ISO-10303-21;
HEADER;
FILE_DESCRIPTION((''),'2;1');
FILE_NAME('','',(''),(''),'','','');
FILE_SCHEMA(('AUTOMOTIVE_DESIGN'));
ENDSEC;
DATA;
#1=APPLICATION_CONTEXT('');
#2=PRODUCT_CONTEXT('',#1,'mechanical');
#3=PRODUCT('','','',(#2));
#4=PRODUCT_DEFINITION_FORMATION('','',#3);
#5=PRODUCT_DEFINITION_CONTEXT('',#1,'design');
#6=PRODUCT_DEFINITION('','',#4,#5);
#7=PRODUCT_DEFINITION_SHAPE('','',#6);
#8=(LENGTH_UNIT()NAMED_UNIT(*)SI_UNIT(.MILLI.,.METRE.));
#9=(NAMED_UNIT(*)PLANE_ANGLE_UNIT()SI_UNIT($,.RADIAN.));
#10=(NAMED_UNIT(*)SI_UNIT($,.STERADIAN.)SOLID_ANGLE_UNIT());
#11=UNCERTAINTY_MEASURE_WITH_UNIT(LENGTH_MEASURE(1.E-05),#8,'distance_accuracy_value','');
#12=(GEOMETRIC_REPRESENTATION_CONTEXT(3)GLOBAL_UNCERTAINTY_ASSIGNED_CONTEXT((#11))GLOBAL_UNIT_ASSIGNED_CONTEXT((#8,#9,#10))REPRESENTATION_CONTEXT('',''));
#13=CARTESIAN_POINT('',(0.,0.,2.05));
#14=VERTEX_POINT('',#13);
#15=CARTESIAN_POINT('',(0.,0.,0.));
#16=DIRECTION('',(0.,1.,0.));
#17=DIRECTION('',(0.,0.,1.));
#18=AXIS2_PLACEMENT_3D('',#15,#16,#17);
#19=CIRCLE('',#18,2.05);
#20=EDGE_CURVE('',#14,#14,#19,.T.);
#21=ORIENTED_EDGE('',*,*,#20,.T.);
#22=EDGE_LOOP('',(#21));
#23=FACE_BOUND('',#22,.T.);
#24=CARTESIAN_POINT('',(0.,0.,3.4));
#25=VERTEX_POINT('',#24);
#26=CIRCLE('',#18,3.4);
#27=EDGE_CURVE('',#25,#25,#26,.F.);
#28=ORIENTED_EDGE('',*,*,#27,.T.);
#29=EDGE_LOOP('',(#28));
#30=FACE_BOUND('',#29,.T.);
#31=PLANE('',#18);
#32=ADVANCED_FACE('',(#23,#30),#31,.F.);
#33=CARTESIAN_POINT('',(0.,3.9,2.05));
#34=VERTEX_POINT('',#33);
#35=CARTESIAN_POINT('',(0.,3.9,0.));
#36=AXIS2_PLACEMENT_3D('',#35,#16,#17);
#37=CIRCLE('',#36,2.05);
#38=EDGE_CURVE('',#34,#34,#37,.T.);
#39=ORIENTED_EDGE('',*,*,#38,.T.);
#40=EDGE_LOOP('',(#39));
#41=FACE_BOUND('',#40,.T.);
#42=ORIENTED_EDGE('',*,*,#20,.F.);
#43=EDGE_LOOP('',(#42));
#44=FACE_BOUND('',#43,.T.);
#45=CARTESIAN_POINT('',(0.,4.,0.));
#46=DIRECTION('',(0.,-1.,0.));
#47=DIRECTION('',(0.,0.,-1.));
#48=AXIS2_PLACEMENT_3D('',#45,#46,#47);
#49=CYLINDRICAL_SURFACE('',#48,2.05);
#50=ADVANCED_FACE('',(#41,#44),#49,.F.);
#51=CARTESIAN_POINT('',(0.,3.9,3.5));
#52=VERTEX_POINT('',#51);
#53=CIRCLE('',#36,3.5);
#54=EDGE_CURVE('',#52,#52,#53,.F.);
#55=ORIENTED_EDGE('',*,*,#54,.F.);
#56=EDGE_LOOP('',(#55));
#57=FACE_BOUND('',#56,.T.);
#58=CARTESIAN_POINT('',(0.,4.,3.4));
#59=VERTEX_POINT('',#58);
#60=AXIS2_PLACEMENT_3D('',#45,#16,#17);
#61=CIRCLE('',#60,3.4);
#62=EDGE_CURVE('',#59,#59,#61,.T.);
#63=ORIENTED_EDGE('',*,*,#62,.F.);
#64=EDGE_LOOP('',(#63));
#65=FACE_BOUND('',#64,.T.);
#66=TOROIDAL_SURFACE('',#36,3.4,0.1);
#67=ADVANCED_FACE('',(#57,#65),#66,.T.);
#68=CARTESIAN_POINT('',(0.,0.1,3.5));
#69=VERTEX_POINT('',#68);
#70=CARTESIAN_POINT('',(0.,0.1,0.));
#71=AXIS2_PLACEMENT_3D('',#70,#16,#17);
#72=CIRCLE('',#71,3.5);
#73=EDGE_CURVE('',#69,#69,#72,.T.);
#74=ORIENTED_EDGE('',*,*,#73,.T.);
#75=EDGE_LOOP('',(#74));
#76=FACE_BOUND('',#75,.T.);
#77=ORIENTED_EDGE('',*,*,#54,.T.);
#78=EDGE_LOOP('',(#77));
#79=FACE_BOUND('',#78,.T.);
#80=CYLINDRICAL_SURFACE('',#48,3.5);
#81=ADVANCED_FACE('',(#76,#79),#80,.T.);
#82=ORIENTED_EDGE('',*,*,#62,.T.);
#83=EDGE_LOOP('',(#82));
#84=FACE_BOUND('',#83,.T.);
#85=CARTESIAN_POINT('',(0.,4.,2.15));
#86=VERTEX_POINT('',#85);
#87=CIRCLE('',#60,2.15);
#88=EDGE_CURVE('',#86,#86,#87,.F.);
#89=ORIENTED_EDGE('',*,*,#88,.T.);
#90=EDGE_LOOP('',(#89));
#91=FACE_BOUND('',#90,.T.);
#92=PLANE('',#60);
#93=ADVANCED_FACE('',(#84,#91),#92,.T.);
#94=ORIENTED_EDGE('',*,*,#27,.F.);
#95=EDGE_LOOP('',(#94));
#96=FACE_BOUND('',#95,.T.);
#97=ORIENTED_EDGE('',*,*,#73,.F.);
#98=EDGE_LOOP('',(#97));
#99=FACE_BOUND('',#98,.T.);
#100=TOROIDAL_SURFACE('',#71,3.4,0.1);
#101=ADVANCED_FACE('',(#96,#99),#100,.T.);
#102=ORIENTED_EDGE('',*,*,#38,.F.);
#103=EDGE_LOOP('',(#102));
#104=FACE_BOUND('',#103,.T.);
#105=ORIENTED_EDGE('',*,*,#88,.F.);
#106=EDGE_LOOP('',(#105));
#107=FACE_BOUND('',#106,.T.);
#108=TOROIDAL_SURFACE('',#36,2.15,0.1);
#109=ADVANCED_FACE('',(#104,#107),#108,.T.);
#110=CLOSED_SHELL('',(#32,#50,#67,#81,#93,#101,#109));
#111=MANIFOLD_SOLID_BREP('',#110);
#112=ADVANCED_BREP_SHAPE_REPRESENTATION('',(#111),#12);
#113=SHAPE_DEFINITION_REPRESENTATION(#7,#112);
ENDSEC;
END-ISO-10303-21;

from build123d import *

# Parameters (mm, degrees)
SKETCH1_R           = 3.5
SKETCH1_R_2         = 2.05
BOSS_EXTRUDE1_DEPTH = 4
FILLET1_R           = 0.1


with BuildPart() as part:
    # Sketch1 → Boss-Extrude1 (new body)
    with BuildSketch(Plane(origin=(0, 0, 0), x_dir=(1, 0, 0), z_dir=(0, 1, 0))):
        with Locations(Location((0, 0, 0), (0, 0, 270))):
            Circle(SKETCH1_R)
        with Locations(Location((0, 0, 0), (0, 0, 270))):
            Circle(SKETCH1_R_2, mode=Mode.SUBTRACT)
    extrude(amount=BOSS_EXTRUDE1_DEPTH)

    # Fillet1
    fillet1_edges = [part.edges().sort_by_distance(p)[0] for p in [
        (0, 0, -3.5),
        (0, 4, -3.5),
        (0, 4, -2.05),
    ]]
    fillet(fillet1_edges, radius=FILLET1_R)


solid = part.part
